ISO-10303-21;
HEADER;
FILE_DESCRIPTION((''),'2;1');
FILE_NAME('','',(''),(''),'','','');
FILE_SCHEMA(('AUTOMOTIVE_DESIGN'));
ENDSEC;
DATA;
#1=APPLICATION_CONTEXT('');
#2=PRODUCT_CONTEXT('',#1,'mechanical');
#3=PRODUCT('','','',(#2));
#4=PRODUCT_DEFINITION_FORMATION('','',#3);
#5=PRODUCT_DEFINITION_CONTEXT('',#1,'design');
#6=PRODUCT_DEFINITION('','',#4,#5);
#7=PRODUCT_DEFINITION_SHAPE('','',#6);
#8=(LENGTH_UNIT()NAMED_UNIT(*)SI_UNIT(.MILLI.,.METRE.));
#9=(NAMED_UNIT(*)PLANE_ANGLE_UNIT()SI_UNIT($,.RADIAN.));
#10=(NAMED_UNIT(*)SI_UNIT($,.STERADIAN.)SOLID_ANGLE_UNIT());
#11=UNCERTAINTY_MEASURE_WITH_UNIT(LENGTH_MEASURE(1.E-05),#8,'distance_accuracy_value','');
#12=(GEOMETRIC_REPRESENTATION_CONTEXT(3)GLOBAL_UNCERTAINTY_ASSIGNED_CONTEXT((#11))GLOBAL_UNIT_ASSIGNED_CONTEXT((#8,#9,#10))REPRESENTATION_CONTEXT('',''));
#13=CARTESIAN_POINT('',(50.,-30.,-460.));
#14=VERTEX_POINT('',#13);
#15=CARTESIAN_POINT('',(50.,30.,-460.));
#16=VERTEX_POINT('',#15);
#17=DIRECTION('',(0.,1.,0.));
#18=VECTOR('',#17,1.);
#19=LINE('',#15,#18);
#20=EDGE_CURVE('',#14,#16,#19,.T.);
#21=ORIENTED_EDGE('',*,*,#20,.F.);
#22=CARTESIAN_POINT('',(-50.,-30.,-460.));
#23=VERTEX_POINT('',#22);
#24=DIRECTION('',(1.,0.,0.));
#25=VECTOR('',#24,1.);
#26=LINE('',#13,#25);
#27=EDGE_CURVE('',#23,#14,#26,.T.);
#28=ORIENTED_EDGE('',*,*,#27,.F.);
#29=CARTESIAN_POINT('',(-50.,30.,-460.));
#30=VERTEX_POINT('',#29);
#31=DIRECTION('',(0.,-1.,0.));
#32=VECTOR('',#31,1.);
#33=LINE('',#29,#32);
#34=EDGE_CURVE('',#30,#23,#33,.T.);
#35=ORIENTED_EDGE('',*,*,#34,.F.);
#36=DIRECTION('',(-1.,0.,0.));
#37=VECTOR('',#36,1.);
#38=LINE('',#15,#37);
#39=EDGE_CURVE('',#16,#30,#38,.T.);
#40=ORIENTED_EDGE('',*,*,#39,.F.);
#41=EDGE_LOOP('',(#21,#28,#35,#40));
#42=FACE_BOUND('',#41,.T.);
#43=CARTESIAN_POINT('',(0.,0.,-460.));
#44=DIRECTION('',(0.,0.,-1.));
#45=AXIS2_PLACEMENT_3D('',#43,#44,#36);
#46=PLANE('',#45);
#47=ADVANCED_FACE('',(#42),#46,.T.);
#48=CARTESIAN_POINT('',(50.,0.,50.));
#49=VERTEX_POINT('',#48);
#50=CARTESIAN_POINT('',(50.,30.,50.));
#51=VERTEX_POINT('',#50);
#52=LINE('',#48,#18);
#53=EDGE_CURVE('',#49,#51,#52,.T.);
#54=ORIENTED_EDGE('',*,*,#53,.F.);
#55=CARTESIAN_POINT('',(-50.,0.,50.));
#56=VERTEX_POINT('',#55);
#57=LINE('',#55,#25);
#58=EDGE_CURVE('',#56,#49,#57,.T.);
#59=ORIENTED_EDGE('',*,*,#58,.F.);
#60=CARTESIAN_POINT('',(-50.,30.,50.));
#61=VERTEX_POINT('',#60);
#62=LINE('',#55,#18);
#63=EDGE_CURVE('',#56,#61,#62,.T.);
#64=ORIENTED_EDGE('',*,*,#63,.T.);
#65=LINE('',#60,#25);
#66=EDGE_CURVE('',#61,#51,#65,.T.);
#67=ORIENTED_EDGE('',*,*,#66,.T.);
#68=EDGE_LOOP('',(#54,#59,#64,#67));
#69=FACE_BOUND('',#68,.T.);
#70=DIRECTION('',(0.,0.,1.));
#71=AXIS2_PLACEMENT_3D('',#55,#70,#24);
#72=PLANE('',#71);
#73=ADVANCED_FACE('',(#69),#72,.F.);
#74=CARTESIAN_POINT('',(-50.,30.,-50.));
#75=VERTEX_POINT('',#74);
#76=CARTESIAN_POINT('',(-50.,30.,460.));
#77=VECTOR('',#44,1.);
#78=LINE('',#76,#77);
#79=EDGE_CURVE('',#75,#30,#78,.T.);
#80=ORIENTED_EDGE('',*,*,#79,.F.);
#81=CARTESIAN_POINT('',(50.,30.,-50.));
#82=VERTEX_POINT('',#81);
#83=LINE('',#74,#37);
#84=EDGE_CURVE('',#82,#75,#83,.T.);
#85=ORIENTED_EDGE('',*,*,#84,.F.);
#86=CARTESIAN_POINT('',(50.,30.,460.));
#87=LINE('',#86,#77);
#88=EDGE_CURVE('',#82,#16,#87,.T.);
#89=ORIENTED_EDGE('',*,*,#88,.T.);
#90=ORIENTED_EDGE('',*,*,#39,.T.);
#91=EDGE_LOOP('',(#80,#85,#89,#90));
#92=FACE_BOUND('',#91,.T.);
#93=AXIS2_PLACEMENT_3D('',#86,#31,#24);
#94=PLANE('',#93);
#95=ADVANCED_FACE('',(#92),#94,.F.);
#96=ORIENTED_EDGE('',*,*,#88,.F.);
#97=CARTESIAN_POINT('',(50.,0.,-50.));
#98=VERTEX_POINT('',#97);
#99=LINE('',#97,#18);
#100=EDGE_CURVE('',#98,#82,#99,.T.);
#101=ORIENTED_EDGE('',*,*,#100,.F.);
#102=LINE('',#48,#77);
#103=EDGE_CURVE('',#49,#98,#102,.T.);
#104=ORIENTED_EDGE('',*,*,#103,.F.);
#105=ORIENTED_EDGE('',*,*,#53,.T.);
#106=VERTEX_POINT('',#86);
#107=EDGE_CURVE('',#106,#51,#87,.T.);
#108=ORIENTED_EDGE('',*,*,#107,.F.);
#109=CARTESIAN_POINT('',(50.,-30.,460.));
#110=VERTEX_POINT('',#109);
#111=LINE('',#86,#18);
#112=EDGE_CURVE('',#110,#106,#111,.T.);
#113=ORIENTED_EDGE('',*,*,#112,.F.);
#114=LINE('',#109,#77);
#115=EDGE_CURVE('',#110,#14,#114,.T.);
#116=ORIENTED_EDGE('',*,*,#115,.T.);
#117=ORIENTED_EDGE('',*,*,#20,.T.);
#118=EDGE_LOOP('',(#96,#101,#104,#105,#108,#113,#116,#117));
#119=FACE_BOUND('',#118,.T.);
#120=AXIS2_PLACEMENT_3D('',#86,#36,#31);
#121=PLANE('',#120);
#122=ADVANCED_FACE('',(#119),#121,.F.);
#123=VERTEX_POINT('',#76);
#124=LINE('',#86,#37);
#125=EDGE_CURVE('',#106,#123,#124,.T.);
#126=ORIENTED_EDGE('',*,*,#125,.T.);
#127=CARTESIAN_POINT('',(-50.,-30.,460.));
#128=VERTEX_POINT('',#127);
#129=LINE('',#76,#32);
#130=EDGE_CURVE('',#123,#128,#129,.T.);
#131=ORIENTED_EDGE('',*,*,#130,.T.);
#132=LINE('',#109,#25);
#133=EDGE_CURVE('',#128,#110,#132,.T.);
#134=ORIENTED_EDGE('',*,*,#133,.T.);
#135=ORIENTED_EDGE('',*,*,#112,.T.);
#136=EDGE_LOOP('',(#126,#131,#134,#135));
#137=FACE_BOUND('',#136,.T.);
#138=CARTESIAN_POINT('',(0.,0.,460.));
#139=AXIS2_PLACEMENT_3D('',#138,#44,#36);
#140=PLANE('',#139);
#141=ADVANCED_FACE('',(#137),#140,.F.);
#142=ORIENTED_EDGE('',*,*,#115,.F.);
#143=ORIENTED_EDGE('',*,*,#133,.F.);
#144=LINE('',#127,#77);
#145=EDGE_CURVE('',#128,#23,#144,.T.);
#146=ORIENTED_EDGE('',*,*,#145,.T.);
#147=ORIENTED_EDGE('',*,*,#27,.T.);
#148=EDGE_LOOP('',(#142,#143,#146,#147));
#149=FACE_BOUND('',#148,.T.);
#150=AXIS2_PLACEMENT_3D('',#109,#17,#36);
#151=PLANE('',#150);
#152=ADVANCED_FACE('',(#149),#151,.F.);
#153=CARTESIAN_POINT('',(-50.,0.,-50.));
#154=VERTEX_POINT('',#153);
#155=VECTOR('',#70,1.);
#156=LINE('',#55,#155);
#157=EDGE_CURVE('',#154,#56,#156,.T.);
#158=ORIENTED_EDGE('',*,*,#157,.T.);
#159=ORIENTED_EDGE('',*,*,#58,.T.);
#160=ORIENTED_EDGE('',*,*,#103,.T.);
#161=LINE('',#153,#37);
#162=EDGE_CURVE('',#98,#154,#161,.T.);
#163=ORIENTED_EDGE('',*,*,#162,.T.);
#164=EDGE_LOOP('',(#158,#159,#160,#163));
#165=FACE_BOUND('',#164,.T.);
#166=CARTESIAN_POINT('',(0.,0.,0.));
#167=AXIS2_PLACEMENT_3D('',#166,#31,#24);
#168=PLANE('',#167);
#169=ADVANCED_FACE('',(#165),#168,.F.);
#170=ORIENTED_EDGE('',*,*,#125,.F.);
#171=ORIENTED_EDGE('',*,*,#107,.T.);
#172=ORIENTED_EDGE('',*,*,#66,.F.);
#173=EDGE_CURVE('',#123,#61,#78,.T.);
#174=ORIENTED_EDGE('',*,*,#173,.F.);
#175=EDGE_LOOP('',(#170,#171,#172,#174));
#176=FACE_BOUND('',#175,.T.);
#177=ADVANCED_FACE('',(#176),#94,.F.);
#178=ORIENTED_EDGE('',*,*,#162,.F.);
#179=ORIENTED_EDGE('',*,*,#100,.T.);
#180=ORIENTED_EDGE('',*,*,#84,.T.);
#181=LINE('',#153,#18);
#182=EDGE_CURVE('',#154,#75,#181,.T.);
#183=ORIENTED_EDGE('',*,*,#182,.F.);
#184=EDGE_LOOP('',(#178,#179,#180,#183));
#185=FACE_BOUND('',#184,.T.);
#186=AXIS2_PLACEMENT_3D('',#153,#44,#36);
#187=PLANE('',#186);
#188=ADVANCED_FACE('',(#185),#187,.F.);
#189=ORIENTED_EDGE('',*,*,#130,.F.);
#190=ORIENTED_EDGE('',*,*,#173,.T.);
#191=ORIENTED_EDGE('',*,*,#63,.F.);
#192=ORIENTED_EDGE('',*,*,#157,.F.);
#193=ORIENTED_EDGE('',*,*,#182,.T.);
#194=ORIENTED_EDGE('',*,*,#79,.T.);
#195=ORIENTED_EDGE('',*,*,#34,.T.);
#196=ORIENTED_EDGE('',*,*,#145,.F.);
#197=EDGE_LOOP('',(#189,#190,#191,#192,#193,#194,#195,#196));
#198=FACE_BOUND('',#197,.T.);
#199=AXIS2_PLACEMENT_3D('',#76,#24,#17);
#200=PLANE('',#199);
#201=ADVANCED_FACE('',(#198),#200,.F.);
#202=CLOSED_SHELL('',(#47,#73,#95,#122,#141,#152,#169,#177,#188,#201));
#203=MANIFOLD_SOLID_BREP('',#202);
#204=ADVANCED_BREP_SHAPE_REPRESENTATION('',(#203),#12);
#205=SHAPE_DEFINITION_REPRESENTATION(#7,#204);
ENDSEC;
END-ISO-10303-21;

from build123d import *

# Parameters (mm, degrees)
SKIZZE1_W                       = 100
SKIZZE1_H                       = 60
AUFSATZ_LINEAR_AUSTRAGEN1_DEPTH = 460
SKIZZE2_W                       = 100
SKIZZE2_H                       = 100
SCHNITT_LINEAR_AUSTRAGEN1_DEPTH = 30


with BuildPart() as part:
    # Skizze1 → Aufsatz-Linear austragen1 (new, symmetric)
    with BuildSketch(Plane.XY):
        Rectangle(SKIZZE1_W, SKIZZE1_H)
    extrude(amount=AUFSATZ_LINEAR_AUSTRAGEN1_DEPTH, both=True)

    # Skizze2 → Schnitt-Linear austragen1 (cut)
    with BuildSketch(Plane(origin=(0, 30, 0), x_dir=(1, 0, 0), z_dir=(0, 1, 0))):
        Rectangle(SKIZZE2_W, SKIZZE2_H)
    extrude(amount=-SCHNITT_LINEAR_AUSTRAGEN1_DEPTH, mode=Mode.SUBTRACT)


solid = part.part
